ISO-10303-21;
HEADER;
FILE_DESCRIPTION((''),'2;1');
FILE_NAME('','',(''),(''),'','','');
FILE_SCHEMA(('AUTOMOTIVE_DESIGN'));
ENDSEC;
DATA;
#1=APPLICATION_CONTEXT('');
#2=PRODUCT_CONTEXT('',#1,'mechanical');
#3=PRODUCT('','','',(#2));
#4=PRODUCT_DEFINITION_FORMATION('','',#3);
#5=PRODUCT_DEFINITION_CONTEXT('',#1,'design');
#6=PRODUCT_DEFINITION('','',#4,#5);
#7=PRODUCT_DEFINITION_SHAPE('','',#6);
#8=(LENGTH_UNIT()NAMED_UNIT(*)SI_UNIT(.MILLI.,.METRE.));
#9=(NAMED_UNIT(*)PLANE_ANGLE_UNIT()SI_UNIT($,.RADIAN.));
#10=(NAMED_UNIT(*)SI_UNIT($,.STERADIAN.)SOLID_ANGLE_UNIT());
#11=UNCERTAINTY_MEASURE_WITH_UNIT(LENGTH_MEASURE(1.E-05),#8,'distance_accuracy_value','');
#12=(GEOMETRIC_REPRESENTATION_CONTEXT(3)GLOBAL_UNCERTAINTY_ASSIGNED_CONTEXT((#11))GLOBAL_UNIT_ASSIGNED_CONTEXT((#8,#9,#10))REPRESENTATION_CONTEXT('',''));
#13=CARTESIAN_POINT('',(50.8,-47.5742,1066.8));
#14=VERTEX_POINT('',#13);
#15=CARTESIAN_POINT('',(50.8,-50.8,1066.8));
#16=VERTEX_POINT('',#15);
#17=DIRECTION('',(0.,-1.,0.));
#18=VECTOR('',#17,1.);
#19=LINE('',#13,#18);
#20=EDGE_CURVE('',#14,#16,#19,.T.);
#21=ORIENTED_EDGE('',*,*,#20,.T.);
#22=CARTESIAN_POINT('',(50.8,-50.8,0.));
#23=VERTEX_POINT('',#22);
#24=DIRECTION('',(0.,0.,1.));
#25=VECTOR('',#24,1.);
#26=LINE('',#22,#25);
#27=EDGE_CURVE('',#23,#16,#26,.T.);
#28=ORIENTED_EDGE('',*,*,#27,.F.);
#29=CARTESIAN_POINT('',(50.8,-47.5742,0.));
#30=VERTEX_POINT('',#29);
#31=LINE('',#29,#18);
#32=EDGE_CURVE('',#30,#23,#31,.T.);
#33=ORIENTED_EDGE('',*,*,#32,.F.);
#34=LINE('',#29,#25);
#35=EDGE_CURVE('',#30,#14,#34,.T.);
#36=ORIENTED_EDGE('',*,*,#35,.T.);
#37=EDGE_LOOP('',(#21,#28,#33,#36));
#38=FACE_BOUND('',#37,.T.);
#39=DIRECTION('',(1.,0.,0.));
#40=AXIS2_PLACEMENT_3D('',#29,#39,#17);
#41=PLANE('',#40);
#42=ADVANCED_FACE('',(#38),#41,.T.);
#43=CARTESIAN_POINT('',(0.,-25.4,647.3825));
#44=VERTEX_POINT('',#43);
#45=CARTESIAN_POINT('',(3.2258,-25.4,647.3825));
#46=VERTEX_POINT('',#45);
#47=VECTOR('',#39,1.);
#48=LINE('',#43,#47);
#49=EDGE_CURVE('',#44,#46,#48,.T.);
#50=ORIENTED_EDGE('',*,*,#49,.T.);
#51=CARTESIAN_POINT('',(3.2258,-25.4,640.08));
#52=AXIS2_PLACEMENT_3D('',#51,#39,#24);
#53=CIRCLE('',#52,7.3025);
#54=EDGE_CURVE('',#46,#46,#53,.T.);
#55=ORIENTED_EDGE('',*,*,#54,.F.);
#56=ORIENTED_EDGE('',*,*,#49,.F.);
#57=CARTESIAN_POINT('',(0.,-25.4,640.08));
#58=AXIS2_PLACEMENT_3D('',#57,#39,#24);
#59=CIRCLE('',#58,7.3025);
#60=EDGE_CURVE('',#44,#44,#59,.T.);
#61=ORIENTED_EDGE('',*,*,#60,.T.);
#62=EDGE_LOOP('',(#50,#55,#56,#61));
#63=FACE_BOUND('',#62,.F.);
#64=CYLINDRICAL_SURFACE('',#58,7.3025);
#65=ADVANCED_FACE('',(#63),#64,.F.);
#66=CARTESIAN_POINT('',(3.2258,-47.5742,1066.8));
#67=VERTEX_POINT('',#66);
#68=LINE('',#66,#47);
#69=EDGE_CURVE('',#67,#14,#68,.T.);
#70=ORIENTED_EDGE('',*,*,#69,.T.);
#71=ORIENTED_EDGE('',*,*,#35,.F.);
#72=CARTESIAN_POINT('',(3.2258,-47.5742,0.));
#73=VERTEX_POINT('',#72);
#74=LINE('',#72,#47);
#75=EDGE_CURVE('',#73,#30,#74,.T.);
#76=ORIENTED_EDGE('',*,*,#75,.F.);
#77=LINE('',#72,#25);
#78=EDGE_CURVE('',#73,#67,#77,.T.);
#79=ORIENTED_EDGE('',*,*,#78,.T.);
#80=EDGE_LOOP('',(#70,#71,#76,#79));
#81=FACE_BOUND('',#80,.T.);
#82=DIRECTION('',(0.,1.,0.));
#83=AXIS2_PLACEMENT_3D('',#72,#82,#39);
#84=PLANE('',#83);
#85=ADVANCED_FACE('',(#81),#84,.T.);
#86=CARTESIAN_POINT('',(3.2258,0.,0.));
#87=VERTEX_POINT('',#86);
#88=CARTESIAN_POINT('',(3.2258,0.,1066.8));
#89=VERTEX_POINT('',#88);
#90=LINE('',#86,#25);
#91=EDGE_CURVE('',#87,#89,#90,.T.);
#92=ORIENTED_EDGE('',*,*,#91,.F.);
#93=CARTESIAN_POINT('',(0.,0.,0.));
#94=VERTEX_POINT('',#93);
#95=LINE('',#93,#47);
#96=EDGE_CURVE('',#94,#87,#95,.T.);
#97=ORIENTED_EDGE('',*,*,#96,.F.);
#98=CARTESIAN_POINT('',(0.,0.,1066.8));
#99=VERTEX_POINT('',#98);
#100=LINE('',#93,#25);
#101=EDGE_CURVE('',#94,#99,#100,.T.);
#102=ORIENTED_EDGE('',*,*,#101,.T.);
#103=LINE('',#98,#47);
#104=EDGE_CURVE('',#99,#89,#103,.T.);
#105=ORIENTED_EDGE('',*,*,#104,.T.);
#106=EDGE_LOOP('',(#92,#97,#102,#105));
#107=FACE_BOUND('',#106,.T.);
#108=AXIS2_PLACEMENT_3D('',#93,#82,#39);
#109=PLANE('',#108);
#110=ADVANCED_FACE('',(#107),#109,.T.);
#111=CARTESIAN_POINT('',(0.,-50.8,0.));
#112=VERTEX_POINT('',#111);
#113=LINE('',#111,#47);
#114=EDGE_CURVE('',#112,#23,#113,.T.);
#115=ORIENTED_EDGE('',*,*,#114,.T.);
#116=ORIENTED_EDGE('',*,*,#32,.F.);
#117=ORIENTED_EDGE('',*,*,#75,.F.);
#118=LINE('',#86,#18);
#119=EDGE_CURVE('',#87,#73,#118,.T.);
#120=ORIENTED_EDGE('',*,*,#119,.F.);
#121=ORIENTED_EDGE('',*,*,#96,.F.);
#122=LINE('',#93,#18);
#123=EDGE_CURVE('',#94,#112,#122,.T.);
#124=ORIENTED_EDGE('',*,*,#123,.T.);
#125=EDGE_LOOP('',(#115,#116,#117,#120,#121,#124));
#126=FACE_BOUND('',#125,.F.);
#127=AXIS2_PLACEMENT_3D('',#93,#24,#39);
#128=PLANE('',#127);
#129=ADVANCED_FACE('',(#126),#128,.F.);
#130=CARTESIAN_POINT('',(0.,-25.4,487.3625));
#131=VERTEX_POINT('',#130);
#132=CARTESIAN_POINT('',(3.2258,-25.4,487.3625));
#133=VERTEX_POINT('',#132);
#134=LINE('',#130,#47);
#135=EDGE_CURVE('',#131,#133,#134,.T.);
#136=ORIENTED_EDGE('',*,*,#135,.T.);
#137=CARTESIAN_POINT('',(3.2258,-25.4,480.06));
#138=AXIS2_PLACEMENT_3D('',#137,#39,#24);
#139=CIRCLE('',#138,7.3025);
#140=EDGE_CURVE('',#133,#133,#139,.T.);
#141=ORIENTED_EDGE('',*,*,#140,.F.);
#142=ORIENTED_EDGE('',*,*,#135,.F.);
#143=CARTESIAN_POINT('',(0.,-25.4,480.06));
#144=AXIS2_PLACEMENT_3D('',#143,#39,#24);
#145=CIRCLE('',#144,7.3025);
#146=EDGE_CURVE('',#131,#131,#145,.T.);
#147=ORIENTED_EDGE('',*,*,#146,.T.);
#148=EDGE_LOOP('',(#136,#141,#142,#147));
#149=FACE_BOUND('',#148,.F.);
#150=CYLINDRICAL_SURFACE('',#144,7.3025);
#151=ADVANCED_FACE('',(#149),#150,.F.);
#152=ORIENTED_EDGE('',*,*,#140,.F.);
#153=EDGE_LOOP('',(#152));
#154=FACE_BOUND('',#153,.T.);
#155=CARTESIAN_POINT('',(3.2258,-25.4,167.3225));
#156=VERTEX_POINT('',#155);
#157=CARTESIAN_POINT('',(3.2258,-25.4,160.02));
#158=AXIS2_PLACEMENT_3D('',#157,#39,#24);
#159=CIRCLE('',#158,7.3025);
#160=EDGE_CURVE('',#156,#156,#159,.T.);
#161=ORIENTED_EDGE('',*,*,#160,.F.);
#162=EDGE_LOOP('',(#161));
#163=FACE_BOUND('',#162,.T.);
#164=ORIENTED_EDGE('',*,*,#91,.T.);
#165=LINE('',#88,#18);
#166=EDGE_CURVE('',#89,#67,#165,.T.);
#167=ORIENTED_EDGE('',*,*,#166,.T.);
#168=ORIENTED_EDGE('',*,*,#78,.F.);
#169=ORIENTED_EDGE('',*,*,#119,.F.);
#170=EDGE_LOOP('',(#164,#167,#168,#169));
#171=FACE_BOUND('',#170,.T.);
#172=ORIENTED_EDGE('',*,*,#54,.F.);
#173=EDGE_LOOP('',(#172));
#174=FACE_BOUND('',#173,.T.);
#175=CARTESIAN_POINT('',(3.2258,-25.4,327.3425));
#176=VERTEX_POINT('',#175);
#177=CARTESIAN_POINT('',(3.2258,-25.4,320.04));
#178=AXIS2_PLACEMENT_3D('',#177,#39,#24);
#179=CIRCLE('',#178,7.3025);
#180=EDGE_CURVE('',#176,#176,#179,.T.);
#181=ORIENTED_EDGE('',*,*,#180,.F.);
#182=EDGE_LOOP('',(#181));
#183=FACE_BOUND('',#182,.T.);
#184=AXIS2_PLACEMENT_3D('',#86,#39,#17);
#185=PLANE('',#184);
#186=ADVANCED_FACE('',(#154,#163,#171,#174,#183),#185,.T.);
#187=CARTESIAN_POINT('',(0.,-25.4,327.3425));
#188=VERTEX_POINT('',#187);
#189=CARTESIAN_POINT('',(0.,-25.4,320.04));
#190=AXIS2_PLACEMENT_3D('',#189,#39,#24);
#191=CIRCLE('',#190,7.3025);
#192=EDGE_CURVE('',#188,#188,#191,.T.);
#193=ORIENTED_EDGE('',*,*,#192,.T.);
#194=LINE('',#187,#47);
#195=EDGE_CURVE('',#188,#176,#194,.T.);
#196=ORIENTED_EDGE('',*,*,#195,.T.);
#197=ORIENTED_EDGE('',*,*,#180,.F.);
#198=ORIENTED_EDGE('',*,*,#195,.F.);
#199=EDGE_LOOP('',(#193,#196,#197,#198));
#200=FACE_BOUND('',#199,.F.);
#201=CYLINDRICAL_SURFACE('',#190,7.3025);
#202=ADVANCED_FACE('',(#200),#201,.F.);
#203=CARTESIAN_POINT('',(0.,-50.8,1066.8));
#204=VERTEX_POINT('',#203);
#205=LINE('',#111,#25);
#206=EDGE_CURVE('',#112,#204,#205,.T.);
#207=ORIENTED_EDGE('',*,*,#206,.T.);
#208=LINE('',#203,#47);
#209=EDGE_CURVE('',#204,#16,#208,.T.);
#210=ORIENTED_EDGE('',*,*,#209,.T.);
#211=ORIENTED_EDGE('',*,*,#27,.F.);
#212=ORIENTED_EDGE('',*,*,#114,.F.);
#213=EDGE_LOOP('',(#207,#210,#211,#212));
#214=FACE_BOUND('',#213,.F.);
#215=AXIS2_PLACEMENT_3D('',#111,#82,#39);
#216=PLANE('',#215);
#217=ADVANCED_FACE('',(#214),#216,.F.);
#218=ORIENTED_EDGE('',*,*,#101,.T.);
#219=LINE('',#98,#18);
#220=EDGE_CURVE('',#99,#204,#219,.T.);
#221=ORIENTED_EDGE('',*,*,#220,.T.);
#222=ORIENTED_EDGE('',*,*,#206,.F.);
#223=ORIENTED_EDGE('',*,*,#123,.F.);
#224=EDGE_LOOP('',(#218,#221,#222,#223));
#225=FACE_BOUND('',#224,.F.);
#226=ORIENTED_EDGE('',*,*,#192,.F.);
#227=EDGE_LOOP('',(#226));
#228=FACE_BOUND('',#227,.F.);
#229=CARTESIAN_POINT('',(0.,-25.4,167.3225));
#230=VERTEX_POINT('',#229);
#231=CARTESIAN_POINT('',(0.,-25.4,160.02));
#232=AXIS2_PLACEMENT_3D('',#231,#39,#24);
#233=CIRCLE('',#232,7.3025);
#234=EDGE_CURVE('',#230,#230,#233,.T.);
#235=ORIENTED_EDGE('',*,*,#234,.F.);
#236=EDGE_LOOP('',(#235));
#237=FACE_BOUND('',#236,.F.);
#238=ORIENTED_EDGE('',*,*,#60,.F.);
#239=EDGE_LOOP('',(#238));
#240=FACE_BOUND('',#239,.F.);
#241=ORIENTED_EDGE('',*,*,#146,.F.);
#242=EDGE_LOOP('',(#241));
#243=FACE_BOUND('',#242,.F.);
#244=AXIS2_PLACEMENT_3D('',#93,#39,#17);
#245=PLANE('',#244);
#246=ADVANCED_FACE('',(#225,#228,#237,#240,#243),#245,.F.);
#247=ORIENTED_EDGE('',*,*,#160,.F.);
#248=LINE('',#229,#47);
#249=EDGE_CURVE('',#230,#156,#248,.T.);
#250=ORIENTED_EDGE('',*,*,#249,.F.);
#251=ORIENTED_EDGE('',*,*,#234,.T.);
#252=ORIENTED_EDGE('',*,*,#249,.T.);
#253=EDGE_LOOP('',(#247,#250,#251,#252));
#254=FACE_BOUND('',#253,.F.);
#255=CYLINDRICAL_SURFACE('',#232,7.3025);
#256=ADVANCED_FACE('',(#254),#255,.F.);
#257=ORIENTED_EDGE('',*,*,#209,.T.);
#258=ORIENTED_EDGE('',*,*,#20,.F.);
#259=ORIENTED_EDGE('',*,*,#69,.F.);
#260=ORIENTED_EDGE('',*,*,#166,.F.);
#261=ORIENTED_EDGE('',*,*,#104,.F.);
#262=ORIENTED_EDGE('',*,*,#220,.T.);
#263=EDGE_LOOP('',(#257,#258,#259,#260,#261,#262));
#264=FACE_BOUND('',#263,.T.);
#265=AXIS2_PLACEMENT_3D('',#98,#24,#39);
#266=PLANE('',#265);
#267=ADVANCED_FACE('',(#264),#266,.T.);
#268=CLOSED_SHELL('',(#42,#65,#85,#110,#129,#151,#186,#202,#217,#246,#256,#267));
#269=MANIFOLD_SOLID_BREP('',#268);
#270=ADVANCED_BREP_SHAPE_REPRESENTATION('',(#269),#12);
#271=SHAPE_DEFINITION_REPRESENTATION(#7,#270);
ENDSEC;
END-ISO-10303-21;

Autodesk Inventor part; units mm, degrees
ref_plane "YZ Plane" through (0, 0, 0) normal (1, 0, 0) x (0, 1, 0)
ref_plane "XZ Plane" through (0, 0, 0) normal (0, 1, 0) x (-1, 0, 0)
ref_plane "XY Plane" through (0, 0, 0) normal (0, 0, 1) x (1, 0, 0)
sketch "Sketch1" plane through (0, 0, 0) normal (0, 0, 1) x (1, 0, 0)
  line L0 (0, 0) -> (0, -50.8)
  line L1 (0, -50.8) -> (50.8, -50.8)
  line L2 (3.2258, 0) -> (3.2258, -47.5742)
  line L3 (3.2258, -47.5742) -> (50.8, -47.5742)
  line L4 (0, 0) -> (3.2258, 0)
  line L5 (50.8, -47.5742) -> (50.8, -50.8)
  dimension "d0" = 50.8
  dimension "d1" = 50.8
  dimension "d2" = 3.2258
extrude "Extrusion1" add sketch "Sketch1" along normal blind 1066.8
sketch "Sketch2" plane through (0, -50.8, 0) normal (-1, 0, 0) x (0, 0, 1)
  line L0 (1066.8, 50.8) -> (1066.8, 0) projected
  line L1 (0, 50.8) -> (0, 0) projected
  point P0 (160.02, 25.4)
  point P1 (320.04, 25.4)
  point P2 (480.06, 25.4)
  point P3 (640.08, 25.4)
  dimension "d5" = 1066.8
hole "Hole1" at (0, -25.4, 480.06) at (0, -25.4, 640.08) at (0, -25.4, 320.04) at (0, -25.4, 160.02) direction (1, 0, 0) diameter 14.605 end through all
sketch "Sketch3" plane through (0, -50.8, 0) normal (-1, 0, 0) x (0, 0, 1)
  point P0 (0, 50.8)
  point P1 (797.56, 25.4)
  point P2 (957.58, 25.4)
properties part number "angle al 1.5x1.5 (48)"
